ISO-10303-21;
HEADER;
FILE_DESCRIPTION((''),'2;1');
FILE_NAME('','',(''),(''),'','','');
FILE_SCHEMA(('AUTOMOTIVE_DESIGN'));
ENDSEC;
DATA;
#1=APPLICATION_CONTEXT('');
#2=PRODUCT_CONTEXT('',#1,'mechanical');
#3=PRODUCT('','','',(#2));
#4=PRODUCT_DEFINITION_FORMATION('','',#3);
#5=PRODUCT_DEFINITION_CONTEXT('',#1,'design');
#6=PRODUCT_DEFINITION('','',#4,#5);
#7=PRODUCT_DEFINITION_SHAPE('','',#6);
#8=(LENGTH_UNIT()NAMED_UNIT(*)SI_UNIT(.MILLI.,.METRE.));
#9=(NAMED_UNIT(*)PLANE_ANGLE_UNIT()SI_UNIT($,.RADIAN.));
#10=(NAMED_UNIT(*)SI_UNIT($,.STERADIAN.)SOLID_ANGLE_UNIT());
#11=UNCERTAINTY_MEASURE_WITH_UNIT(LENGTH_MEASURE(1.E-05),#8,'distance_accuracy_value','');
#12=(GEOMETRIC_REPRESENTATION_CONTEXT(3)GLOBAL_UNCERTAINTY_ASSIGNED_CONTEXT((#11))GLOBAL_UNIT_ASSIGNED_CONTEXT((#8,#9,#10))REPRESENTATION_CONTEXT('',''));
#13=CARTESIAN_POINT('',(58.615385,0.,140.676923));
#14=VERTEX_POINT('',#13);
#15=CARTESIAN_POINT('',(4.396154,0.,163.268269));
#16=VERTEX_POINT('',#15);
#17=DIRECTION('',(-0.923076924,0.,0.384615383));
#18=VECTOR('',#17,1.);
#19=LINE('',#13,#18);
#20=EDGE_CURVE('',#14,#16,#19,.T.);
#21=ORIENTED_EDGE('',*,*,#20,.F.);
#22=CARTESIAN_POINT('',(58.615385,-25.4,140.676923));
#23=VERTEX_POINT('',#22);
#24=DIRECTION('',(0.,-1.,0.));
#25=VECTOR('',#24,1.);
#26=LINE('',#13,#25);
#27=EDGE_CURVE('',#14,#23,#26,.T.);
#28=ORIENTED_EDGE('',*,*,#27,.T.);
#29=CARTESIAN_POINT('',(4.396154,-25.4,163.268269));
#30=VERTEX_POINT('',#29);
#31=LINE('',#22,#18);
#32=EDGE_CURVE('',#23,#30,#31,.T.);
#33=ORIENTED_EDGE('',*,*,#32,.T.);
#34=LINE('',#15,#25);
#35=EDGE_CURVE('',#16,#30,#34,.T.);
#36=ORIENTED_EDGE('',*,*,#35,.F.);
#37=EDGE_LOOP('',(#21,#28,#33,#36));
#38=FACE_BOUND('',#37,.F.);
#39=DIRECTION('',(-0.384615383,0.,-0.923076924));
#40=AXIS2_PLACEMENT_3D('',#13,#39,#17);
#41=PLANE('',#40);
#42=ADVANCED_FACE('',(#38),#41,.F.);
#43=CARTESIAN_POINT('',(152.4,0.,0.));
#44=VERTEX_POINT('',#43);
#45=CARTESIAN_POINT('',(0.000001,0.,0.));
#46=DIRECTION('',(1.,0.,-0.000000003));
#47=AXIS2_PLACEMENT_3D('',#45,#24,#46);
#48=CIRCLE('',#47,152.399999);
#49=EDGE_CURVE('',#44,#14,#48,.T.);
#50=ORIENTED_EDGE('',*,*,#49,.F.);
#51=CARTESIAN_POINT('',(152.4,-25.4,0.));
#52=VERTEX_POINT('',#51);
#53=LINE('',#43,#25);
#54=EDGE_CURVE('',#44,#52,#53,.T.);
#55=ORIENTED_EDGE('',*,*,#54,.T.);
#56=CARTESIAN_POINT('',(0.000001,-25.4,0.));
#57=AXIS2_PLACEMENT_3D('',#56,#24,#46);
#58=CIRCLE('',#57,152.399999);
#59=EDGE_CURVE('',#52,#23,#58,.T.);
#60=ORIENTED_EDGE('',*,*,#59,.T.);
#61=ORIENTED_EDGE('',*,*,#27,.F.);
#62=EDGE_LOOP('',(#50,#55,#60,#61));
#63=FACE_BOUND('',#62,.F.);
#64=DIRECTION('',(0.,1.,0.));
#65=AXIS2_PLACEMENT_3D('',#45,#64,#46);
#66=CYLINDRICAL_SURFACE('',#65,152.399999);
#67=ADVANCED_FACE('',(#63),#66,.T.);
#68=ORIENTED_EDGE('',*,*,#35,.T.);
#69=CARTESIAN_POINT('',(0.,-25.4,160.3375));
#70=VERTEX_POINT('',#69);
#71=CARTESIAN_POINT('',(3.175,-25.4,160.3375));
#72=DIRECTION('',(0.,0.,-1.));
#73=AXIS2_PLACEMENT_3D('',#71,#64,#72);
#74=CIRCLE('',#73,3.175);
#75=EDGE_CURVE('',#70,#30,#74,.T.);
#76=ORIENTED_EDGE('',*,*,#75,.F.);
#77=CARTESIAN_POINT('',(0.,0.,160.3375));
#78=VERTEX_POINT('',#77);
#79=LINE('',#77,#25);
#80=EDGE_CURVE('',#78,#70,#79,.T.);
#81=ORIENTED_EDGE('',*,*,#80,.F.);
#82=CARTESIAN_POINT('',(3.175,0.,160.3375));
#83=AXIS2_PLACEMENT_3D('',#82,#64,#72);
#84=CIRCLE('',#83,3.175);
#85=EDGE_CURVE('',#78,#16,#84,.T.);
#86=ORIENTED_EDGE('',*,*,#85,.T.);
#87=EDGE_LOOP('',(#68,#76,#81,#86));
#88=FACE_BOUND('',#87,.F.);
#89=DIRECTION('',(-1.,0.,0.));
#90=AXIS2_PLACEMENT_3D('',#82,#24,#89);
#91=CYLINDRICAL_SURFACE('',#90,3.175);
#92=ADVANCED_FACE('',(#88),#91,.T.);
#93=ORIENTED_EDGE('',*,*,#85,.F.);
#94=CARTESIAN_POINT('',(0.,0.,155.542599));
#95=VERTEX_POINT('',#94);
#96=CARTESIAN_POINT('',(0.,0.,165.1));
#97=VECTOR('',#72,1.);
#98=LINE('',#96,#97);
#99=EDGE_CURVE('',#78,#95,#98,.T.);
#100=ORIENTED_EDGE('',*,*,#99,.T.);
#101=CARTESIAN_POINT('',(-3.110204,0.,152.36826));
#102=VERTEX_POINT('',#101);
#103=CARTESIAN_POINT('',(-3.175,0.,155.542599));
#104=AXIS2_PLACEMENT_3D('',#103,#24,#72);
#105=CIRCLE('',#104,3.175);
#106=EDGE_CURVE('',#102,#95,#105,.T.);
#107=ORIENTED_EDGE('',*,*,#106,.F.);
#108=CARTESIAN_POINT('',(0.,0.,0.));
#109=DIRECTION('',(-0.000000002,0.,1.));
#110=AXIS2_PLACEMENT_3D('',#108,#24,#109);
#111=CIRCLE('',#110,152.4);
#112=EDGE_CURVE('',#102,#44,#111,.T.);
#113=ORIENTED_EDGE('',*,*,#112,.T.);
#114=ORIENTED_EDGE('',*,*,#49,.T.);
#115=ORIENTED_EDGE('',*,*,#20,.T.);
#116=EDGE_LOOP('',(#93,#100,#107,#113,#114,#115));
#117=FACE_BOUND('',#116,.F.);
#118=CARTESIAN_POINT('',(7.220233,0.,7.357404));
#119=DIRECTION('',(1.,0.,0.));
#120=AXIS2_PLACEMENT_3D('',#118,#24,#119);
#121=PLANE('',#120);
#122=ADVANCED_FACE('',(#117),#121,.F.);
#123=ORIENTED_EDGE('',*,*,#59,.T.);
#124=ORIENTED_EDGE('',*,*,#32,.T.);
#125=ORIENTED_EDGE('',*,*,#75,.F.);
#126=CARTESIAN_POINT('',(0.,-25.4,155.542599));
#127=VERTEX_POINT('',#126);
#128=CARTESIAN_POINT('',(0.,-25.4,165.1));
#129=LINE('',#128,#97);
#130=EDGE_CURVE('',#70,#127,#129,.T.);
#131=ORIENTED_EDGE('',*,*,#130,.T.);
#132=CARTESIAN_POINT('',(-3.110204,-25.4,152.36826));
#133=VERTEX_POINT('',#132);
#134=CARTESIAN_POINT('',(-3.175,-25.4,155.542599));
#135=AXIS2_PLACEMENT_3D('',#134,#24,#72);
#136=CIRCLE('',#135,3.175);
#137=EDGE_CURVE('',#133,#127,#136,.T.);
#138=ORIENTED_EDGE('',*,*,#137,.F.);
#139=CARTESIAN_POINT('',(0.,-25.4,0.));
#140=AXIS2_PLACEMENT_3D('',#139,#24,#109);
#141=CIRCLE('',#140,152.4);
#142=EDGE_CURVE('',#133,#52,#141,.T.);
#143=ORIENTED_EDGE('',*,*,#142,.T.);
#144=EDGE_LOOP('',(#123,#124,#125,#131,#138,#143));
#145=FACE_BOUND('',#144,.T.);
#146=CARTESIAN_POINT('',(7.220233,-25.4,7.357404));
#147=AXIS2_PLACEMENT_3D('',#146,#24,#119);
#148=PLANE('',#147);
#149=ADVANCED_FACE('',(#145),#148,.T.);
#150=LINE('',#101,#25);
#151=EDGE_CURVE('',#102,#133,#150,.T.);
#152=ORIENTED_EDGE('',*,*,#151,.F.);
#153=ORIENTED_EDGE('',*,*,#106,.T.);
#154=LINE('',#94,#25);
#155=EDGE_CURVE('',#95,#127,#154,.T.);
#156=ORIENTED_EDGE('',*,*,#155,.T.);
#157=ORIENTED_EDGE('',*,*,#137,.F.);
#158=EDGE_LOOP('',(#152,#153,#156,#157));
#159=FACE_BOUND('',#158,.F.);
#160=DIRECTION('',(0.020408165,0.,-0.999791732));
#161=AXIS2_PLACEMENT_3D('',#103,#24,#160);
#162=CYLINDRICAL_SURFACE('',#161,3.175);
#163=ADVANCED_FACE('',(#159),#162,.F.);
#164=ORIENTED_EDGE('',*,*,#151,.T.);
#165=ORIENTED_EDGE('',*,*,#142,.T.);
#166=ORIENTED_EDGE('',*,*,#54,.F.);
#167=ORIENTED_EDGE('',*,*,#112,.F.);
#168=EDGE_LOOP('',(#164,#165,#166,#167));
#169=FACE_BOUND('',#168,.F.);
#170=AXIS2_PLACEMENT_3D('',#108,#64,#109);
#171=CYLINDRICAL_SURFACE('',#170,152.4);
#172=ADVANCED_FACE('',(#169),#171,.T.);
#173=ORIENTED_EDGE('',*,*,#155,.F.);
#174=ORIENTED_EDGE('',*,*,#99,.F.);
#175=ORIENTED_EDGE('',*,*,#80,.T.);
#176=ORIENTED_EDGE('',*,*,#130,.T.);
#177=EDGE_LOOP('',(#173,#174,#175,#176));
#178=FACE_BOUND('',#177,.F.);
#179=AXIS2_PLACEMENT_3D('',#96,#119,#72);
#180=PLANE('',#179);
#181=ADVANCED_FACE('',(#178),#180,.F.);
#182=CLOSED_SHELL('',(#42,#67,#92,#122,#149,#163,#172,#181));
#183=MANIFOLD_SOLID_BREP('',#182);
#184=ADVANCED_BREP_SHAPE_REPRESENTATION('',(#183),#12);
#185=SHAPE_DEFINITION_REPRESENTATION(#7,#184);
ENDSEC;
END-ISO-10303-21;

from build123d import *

# Parameters (mm, degrees)
F1_DEPTH = 25.4
F2_R     = 3.175
F3_R     = 3.175


with BuildPart() as f1:
    # F0 (on Front) → F1 (new body)
    with BuildSketch(Plane.XZ):
        with BuildLine():
            ThreePointArc((0, 152.4), (-107.763073, -107.763073), (152.4, 0))
            ThreePointArc((152.4, 0), (126.804465, 84.53631), (58.615385, 140.676923))
            ThreePointArc((58.615385, 140.676923), (29.888099, 149.440495), (0, 152.4))
        make_face()
        with BuildLine():
            ThreePointArc((0, 152.4), (29.888099, 149.440495), (58.615385, 140.676923))
            Line((58.615385, 140.676923), (0, 165.1))
            Line((0, 165.1), (0, 152.4))
        make_face()
    extrude(amount=F1_DEPTH)

    # F2
    f2_edges = [f1.edges().sort_by_distance(p)[0] for p in [
        (0, -12.7, 152.4),
    ]]
    fillet(f2_edges, radius=F2_R)

    # F3
    f3_edges = [f1.edges().sort_by_distance(p)[0] for p in [
        (0, -12.7, 165.1),
    ]]
    fillet(f3_edges, radius=F3_R)


solid = f1.part
